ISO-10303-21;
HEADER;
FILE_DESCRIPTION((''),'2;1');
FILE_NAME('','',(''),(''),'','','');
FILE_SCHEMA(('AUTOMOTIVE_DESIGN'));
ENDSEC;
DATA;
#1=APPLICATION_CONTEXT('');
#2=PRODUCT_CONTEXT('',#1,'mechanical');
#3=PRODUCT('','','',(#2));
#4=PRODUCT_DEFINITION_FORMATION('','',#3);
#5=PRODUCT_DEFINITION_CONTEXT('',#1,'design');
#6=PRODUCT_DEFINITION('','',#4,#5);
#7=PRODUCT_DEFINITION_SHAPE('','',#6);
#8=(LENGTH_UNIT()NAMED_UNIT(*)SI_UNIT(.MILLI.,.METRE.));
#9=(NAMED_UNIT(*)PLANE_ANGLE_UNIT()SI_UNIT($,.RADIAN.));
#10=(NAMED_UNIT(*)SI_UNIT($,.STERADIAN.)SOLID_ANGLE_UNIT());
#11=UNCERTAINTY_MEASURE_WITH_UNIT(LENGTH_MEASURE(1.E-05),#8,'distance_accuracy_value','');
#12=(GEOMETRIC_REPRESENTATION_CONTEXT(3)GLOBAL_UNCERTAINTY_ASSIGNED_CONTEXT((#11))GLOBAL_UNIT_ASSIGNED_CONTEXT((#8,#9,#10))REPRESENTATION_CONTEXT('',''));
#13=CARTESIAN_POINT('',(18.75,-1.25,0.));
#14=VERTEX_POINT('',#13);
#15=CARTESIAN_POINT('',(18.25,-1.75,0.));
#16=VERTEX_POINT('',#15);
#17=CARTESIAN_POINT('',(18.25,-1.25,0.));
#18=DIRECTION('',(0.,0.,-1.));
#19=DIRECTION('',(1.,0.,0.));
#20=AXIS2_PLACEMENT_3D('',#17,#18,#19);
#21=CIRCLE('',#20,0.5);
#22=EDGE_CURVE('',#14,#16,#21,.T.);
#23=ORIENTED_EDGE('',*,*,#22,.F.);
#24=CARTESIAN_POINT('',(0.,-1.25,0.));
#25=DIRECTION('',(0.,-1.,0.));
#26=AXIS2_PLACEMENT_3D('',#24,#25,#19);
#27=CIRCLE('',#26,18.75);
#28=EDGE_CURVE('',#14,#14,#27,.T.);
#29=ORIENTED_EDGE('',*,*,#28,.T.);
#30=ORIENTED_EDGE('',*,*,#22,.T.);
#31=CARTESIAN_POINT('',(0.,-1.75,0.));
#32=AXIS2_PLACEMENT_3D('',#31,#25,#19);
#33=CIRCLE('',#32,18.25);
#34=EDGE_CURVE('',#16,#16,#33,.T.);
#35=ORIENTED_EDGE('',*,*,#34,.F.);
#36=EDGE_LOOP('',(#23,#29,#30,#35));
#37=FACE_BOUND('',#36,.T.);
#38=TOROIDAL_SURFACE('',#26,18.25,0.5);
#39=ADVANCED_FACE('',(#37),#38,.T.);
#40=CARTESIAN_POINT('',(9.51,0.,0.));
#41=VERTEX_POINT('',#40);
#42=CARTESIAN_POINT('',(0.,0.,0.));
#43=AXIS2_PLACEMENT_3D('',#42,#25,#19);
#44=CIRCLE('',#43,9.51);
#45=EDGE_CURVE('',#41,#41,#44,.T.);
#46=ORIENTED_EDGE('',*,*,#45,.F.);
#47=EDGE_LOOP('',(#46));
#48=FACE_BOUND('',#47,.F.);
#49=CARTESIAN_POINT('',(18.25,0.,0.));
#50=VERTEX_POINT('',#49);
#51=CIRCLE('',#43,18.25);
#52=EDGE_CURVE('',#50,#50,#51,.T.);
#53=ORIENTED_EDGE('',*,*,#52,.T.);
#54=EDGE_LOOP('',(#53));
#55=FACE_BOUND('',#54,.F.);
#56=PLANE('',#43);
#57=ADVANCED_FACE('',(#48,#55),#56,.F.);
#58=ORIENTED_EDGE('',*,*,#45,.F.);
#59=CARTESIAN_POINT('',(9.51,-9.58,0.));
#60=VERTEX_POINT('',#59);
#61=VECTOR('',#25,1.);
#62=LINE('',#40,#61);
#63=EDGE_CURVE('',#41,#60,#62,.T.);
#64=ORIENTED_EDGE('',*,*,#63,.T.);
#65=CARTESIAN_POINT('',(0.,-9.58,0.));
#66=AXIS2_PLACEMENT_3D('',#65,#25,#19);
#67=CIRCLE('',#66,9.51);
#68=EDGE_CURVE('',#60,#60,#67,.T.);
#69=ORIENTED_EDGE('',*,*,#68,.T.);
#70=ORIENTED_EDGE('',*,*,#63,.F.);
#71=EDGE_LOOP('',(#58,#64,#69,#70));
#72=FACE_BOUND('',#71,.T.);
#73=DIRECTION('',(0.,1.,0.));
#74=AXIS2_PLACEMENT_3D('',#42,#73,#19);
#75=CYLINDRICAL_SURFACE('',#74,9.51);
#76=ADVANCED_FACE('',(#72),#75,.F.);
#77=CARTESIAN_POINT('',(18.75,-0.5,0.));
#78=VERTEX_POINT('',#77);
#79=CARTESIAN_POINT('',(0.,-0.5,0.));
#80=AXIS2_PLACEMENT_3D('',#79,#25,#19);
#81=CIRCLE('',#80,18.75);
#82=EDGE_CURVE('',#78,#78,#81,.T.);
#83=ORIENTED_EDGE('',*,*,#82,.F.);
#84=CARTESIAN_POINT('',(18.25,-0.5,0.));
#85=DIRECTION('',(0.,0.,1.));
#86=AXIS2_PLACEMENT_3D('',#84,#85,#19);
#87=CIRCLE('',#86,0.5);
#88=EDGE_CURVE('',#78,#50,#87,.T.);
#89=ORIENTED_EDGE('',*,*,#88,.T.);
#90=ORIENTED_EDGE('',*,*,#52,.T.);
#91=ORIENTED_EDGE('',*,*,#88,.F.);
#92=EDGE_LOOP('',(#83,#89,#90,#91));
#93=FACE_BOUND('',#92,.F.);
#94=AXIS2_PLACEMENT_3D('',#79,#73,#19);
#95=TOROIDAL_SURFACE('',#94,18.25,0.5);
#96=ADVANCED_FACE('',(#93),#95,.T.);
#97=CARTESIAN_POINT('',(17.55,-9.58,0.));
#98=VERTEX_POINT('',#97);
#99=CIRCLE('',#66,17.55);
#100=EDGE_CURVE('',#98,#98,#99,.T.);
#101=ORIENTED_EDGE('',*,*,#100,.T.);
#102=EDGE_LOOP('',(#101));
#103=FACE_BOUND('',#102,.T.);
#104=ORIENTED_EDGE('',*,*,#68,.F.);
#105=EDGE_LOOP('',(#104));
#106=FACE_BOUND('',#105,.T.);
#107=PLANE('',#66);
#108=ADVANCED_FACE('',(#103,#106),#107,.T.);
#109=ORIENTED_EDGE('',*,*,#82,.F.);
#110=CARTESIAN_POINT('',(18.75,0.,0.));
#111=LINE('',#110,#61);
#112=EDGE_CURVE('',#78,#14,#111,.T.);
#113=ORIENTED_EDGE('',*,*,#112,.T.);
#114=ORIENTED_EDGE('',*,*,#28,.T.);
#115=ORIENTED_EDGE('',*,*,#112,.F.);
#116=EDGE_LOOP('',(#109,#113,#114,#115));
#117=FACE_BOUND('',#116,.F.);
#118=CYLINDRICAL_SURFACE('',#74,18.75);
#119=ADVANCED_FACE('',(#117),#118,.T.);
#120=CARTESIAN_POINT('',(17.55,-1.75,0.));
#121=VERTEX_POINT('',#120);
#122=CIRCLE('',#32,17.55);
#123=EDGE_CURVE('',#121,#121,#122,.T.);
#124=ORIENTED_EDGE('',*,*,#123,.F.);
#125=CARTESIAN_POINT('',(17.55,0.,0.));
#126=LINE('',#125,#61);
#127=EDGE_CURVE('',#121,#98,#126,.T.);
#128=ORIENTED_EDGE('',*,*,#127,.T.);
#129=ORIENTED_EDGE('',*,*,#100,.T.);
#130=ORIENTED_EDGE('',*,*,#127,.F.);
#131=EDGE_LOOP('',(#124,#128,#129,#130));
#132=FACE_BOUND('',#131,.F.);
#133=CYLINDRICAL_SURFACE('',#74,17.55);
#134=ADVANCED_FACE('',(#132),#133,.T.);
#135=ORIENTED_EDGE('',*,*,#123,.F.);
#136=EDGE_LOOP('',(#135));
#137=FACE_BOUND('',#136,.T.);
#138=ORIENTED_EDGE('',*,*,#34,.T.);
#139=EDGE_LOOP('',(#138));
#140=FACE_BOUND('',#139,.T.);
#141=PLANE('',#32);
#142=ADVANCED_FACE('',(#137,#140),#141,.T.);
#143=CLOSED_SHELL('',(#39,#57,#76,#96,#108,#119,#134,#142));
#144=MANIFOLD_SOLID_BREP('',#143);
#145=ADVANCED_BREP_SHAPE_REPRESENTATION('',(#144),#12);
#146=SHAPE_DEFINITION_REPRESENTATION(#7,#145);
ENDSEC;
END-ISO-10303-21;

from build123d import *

# Parameters (mm, degrees)
F0_R     = 17.55
F0_R_2   = 9.51
F1_DEPTH = 9.58
F2_R     = 18.75
F2_R_2   = 17.55
F3_DEPTH = 1.75
F4_R     = 0.5


with BuildPart() as f1:
    # F0 (on Front) → F1 (new body)
    with BuildSketch(Plane.XZ):
        Circle(F0_R)
        Circle(F0_R_2, mode=Mode.SUBTRACT)
    extrude(amount=F1_DEPTH)

    # F2 (on Front) → F3 (join)
    with BuildSketch(Plane.XZ):
        Circle(F2_R)
        Circle(F2_R_2, mode=Mode.SUBTRACT)
    extrude(amount=F3_DEPTH)

    # F4
    f4_edges = [f1.edges().sort_by_distance(p)[0] for p in [
        (-18.75, -1.75, 0),
        (-18.75, 0, 0),
    ]]
    fillet(f4_edges, radius=F4_R)


solid = f1.part
